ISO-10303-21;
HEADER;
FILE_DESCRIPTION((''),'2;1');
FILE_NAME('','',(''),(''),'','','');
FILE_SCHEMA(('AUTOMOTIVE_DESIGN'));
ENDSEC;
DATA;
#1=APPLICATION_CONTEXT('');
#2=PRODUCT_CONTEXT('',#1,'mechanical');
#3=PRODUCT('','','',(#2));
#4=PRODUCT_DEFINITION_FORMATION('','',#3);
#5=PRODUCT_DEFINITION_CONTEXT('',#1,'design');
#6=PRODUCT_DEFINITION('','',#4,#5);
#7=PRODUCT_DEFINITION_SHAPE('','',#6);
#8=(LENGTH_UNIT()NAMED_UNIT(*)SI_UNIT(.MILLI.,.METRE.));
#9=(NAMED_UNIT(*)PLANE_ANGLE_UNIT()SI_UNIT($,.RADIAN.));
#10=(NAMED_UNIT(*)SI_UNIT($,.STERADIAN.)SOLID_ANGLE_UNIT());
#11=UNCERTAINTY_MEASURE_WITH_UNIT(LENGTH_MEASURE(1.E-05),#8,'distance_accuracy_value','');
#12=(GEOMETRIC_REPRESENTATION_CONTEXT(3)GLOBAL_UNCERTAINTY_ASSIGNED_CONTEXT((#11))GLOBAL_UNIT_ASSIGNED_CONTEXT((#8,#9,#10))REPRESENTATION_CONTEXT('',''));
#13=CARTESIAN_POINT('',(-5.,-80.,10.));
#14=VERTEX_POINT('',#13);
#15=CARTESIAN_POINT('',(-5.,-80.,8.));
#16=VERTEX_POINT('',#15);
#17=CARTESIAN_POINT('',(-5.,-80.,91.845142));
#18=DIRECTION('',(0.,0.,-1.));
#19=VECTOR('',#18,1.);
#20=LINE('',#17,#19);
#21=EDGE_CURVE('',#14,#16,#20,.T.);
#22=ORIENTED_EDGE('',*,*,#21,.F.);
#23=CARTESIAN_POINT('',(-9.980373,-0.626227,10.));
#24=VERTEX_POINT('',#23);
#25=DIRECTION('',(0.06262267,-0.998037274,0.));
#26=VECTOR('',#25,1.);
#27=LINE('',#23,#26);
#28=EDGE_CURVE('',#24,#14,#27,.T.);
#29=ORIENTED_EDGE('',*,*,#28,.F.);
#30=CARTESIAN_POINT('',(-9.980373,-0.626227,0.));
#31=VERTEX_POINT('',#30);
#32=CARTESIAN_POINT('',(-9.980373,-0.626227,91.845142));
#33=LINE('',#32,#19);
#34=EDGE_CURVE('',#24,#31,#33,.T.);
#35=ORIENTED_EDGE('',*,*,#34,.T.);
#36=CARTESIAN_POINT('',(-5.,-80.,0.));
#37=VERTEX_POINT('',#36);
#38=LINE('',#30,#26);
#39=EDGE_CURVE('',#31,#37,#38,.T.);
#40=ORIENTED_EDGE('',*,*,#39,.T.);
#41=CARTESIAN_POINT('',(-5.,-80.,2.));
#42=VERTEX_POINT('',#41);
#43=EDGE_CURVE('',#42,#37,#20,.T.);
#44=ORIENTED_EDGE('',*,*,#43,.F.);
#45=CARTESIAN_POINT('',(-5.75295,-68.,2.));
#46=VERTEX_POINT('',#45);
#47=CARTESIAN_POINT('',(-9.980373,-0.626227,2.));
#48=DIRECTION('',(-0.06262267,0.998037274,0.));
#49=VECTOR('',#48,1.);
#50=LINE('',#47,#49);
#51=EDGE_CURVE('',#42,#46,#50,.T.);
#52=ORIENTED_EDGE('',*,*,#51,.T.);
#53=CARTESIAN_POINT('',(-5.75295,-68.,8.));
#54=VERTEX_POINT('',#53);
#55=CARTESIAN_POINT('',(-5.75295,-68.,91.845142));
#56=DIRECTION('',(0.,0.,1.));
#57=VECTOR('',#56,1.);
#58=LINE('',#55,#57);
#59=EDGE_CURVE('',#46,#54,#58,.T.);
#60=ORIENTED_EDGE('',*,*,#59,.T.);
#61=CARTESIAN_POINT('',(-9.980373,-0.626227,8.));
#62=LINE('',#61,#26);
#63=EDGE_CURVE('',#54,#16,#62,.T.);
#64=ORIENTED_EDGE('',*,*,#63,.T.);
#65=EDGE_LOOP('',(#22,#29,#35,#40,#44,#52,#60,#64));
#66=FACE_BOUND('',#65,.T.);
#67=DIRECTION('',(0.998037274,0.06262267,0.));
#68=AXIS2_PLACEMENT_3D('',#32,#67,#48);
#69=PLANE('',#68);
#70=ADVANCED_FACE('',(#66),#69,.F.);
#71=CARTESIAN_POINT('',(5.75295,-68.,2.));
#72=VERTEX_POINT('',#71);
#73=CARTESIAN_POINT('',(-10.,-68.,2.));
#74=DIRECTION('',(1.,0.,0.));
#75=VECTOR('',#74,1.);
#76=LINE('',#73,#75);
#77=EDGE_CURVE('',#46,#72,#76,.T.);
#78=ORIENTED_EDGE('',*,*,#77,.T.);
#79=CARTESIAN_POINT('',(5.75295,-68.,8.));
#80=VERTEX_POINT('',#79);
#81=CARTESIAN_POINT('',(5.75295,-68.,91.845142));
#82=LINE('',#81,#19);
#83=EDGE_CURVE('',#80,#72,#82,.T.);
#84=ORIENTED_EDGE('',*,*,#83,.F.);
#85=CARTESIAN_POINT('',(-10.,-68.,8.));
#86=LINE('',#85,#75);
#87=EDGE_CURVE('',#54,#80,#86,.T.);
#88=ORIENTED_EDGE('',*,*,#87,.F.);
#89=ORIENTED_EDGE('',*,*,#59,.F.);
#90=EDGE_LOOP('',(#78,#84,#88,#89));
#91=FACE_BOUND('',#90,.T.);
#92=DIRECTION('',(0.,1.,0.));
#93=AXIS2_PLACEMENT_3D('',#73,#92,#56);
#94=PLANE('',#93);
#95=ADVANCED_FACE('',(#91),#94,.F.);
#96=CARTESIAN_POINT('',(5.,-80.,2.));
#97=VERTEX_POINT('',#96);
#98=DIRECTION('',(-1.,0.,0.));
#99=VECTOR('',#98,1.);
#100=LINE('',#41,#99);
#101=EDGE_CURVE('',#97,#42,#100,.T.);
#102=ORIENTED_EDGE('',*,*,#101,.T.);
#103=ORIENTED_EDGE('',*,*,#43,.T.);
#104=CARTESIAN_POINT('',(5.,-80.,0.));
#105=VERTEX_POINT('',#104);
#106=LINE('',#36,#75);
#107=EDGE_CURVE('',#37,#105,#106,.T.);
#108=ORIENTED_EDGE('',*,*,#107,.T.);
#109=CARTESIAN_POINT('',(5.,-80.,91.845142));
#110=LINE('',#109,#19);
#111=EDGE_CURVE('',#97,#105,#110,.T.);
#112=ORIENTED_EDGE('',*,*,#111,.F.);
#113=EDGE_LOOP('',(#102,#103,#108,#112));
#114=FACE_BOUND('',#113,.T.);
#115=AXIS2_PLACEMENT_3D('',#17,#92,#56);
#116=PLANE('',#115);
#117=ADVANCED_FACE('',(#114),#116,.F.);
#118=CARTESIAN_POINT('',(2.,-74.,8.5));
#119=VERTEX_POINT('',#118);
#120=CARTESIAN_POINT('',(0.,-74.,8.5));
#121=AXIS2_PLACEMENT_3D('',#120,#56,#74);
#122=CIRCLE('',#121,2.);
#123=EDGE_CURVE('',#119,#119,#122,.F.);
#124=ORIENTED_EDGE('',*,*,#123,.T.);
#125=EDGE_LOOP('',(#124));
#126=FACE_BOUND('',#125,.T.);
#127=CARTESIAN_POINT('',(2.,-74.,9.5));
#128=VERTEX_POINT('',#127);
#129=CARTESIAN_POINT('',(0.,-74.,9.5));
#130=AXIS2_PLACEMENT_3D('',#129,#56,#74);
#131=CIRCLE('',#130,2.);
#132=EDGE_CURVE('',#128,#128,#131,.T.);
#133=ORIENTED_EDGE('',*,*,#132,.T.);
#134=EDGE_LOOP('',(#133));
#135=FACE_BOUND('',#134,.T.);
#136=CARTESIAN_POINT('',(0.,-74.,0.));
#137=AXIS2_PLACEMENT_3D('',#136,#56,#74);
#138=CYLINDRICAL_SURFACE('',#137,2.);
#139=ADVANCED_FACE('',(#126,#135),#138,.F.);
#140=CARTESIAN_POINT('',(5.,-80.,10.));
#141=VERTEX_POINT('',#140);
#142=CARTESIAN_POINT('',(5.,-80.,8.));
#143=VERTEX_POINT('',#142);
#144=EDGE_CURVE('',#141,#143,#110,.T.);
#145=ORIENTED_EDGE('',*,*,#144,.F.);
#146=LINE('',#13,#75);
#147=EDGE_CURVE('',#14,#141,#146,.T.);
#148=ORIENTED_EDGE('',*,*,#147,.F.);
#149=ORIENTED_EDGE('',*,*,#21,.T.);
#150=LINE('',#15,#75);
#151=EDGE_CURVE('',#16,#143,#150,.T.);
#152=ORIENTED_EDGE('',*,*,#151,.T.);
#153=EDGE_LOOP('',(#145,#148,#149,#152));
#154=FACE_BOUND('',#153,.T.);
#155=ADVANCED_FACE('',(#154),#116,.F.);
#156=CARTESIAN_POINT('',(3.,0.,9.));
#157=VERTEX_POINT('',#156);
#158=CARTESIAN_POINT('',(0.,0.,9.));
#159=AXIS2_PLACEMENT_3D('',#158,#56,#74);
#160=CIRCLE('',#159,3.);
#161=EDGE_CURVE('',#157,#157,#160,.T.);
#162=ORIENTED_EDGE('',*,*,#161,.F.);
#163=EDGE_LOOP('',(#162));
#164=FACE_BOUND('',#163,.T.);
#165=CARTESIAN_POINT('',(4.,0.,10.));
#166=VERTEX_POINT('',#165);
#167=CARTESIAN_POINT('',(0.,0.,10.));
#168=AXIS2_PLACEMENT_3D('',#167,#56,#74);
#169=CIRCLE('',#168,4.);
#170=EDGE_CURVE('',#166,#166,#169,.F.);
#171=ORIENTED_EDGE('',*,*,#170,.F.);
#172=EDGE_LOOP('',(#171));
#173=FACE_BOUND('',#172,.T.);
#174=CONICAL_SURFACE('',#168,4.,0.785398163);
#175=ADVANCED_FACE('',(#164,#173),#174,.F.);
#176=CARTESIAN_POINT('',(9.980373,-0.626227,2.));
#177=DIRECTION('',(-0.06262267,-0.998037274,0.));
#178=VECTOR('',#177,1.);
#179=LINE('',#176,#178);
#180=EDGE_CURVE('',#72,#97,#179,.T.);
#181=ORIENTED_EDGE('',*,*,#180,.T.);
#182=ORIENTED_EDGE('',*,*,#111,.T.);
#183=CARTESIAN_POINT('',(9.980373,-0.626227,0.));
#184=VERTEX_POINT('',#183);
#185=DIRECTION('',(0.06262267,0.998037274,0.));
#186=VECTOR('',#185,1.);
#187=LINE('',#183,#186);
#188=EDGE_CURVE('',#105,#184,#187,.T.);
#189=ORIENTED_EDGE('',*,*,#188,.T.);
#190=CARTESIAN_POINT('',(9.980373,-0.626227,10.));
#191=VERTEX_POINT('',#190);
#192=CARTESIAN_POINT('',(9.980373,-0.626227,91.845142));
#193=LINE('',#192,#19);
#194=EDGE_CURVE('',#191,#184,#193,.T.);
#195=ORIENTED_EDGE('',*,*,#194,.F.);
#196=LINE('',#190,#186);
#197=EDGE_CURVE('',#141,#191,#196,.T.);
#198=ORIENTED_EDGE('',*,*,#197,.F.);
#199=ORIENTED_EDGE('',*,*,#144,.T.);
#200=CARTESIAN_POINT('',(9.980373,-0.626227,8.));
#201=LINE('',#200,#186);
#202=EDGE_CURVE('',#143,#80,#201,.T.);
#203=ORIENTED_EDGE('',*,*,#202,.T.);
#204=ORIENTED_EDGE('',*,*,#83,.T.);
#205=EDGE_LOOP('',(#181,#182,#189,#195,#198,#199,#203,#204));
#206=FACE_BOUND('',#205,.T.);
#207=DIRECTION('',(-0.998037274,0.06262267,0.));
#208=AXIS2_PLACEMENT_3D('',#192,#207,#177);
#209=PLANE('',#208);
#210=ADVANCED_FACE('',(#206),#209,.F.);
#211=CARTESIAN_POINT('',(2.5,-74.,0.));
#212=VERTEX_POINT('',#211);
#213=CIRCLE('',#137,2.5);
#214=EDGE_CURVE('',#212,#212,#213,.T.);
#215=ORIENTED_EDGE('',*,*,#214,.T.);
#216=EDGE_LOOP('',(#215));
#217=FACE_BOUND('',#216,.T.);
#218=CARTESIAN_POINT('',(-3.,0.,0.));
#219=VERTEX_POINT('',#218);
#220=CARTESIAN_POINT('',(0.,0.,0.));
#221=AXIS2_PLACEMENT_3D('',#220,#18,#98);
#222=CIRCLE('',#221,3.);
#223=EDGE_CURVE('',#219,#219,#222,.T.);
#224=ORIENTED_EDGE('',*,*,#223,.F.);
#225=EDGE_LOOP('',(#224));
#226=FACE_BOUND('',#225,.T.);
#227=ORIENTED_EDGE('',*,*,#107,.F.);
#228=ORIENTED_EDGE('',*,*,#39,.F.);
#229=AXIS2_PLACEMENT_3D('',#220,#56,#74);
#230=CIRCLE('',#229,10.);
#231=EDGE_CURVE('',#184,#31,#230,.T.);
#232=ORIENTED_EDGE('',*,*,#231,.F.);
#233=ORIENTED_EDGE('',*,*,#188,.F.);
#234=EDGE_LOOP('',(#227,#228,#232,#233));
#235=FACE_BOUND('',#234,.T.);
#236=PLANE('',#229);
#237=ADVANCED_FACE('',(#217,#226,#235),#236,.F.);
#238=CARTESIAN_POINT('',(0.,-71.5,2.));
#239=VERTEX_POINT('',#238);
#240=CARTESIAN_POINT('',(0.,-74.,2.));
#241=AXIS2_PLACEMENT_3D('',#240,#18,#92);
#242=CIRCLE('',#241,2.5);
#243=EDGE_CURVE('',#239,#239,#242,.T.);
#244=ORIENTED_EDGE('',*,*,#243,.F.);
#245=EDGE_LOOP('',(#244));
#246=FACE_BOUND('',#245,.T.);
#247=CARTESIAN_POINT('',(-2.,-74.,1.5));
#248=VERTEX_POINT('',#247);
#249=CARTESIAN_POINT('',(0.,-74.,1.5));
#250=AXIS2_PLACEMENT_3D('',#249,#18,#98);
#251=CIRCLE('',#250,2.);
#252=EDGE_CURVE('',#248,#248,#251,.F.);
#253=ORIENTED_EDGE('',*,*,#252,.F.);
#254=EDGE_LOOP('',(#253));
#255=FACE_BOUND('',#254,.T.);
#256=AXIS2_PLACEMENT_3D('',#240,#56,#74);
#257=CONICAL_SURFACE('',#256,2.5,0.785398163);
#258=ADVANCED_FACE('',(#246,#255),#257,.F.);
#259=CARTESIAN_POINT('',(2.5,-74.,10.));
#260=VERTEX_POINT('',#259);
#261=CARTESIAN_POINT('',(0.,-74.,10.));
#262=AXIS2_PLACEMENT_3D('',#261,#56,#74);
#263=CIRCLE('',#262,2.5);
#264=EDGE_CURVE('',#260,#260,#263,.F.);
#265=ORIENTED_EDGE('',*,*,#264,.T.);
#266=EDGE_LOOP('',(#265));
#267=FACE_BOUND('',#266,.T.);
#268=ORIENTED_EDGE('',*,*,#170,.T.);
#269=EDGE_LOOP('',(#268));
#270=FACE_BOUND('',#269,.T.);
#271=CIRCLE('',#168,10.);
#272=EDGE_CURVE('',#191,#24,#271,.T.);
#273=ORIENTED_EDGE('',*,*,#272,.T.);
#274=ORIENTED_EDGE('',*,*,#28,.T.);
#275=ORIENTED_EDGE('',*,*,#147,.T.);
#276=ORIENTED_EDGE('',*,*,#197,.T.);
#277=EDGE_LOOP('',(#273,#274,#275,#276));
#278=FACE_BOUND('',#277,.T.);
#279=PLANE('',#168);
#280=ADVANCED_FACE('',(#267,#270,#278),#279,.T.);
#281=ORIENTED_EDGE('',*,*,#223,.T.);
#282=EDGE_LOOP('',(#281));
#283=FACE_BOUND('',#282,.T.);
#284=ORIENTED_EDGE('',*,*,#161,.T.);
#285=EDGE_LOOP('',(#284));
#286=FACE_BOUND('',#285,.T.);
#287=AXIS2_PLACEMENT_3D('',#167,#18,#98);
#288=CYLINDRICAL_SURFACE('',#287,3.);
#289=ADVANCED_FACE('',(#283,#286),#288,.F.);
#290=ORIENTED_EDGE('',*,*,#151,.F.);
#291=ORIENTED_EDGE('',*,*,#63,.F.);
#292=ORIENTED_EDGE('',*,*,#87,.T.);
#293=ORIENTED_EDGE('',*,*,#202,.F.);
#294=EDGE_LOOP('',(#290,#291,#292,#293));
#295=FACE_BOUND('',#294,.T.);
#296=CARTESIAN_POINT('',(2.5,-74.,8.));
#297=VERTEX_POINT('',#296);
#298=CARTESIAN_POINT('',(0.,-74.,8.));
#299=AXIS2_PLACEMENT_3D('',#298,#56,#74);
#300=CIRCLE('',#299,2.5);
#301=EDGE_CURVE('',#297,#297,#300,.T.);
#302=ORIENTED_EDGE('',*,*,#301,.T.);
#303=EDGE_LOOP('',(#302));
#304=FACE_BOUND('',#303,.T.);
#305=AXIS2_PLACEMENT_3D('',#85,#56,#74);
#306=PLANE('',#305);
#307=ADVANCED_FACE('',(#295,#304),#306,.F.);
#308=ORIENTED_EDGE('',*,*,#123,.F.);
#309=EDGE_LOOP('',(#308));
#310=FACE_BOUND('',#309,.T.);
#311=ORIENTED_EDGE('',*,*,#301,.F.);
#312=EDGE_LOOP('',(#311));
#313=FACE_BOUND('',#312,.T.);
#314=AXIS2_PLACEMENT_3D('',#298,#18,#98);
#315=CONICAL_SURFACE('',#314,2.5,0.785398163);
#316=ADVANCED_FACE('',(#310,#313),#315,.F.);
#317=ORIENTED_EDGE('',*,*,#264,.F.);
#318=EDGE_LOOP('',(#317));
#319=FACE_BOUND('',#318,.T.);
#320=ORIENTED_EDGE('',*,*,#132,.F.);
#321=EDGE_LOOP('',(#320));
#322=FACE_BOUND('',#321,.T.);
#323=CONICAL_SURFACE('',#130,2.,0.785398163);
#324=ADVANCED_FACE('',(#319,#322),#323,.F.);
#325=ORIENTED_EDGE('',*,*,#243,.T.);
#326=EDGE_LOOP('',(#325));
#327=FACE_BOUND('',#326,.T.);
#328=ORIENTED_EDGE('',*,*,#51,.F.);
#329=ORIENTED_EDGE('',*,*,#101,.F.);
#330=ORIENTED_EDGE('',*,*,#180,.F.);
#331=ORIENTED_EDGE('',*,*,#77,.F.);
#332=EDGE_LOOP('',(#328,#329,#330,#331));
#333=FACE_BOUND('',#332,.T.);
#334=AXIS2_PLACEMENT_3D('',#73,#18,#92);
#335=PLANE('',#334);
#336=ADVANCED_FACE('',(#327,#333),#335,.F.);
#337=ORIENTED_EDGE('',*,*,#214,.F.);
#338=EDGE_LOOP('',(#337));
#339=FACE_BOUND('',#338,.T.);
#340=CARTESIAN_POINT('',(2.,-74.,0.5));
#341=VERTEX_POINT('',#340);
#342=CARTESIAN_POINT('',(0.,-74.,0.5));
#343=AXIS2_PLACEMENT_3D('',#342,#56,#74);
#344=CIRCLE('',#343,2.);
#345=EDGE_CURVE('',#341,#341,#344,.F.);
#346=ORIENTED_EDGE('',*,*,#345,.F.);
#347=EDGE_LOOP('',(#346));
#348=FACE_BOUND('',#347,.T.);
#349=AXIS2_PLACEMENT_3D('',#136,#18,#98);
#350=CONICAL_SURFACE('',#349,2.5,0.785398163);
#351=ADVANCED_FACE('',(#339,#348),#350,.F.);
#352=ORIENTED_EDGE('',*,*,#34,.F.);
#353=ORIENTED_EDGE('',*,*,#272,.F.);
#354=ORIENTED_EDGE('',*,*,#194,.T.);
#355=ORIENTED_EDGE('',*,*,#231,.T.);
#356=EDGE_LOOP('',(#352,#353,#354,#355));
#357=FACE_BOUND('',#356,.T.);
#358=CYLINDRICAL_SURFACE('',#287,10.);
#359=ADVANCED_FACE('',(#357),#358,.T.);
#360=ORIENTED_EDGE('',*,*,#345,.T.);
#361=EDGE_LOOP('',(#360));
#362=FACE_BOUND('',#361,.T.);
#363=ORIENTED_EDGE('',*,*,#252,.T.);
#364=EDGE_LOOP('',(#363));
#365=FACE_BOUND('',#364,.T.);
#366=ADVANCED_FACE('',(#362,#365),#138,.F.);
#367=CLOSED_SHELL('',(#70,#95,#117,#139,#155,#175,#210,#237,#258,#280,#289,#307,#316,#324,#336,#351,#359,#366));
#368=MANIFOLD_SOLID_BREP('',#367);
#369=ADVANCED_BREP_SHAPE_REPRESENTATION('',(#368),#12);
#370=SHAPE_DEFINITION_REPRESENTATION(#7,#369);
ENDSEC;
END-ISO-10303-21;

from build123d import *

# Parameters (mm, degrees)
SKETCH_1_R               = 10
EXTRUDE_1_DEPTH          = 10
EXTRUDE_2_DEPTH          = 10
CUT_EXTRUDE_2_DEPTH      = 81.925892025
CUT_EXTRUDE_2_DEPTH_BACK = 81.925892025
SKETCH_3_R               = 3
CUT_EXTRUDE_3_DEPTH      = 82.240384046
CUT_EXTRUDE_3_DEPTH_BACK = 82.240384046
SKETCH_7_W               = 6
SKETCH_7_H               = 16
CUT_EXTRUDE_4_DEPTH      = 82.240384046
CUT_EXTRUDE_4_DEPTH_BACK = 82.240384046
SKETCH_8_R               = 2
CHAMFER_1_SIZE           = 1
CHAMFER_2_SIZE           = 0.5


with BuildPart() as part:
    # 草图1 → 凸台-拉伸1 (new body)
    with BuildSketch(Plane.XY):
        Circle(SKETCH_1_R)
    extrude(amount=EXTRUDE_1_DEPTH)

    # 草图2 → 凸台-拉伸2 (add)
    with BuildSketch(Plane.XY):
        with BuildLine():
            Line((-9.980372744, -0.626226703), (-5, -80))
            Line((-5, -80), (5, -80))
            Line((5, -80), (9.980372744, -0.626226703))
            ThreePointArc((9.980372744, -0.626226703), (0, -10), (-9.980372744, -0.626226703))
        make_face()
    extrude(amount=EXTRUDE_2_DEPTH)

    # 草图3 → 切除-拉伸2 (cut, two sides: drawn at the far end of the back side and taken through both)
    with BuildSketch(Plane(origin=(0, 0, 3), x_dir=(-1, 0, 0), z_dir=(0, 0, -1)).offset(-CUT_EXTRUDE_2_DEPTH_BACK)):
        Circle(SKETCH_3_R)
    extrude(amount=CUT_EXTRUDE_2_DEPTH + CUT_EXTRUDE_2_DEPTH_BACK, mode=Mode.SUBTRACT)

    # 草图7 → 切除-拉伸3 (cut, two sides: drawn at the far end of the back side and taken through both)
    with BuildSketch(Plane(origin=(0, 0, 0), x_dir=(0, 0, -1), z_dir=(1, 0, 0)).offset(-CUT_EXTRUDE_3_DEPTH_BACK)):
        with Locations((-5, -76)):
            Rectangle(SKETCH_7_W, SKETCH_7_H)
    extrude(amount=CUT_EXTRUDE_3_DEPTH + CUT_EXTRUDE_3_DEPTH_BACK, mode=Mode.SUBTRACT)

    # 草图8 → 切除-拉伸4 (cut, two sides: drawn at the far end of the back side and taken through both)
    with BuildSketch(Plane.XY.offset(10).offset(-CUT_EXTRUDE_4_DEPTH_BACK)):
        with Locations((0, -74)):
            Circle(SKETCH_8_R)
    extrude(amount=CUT_EXTRUDE_4_DEPTH + CUT_EXTRUDE_4_DEPTH_BACK, mode=Mode.SUBTRACT)

    # 倒角1
    chamfer_1_edges = [part.edges().sort_by_distance(p)[0] for p in [
        (3, 0, 10),
    ]]
    chamfer(chamfer_1_edges, length=CHAMFER_1_SIZE)

    # 倒角2
    chamfer_2_edges = [part.edges().sort_by_distance(p)[0] for p in [
        (-2, -74, 10),
        (-2, -74, 8),
        (-2, -74, 0),
        (-2, -74, 2),
    ]]
    chamfer(chamfer_2_edges, length=CHAMFER_2_SIZE)


solid = part.part
